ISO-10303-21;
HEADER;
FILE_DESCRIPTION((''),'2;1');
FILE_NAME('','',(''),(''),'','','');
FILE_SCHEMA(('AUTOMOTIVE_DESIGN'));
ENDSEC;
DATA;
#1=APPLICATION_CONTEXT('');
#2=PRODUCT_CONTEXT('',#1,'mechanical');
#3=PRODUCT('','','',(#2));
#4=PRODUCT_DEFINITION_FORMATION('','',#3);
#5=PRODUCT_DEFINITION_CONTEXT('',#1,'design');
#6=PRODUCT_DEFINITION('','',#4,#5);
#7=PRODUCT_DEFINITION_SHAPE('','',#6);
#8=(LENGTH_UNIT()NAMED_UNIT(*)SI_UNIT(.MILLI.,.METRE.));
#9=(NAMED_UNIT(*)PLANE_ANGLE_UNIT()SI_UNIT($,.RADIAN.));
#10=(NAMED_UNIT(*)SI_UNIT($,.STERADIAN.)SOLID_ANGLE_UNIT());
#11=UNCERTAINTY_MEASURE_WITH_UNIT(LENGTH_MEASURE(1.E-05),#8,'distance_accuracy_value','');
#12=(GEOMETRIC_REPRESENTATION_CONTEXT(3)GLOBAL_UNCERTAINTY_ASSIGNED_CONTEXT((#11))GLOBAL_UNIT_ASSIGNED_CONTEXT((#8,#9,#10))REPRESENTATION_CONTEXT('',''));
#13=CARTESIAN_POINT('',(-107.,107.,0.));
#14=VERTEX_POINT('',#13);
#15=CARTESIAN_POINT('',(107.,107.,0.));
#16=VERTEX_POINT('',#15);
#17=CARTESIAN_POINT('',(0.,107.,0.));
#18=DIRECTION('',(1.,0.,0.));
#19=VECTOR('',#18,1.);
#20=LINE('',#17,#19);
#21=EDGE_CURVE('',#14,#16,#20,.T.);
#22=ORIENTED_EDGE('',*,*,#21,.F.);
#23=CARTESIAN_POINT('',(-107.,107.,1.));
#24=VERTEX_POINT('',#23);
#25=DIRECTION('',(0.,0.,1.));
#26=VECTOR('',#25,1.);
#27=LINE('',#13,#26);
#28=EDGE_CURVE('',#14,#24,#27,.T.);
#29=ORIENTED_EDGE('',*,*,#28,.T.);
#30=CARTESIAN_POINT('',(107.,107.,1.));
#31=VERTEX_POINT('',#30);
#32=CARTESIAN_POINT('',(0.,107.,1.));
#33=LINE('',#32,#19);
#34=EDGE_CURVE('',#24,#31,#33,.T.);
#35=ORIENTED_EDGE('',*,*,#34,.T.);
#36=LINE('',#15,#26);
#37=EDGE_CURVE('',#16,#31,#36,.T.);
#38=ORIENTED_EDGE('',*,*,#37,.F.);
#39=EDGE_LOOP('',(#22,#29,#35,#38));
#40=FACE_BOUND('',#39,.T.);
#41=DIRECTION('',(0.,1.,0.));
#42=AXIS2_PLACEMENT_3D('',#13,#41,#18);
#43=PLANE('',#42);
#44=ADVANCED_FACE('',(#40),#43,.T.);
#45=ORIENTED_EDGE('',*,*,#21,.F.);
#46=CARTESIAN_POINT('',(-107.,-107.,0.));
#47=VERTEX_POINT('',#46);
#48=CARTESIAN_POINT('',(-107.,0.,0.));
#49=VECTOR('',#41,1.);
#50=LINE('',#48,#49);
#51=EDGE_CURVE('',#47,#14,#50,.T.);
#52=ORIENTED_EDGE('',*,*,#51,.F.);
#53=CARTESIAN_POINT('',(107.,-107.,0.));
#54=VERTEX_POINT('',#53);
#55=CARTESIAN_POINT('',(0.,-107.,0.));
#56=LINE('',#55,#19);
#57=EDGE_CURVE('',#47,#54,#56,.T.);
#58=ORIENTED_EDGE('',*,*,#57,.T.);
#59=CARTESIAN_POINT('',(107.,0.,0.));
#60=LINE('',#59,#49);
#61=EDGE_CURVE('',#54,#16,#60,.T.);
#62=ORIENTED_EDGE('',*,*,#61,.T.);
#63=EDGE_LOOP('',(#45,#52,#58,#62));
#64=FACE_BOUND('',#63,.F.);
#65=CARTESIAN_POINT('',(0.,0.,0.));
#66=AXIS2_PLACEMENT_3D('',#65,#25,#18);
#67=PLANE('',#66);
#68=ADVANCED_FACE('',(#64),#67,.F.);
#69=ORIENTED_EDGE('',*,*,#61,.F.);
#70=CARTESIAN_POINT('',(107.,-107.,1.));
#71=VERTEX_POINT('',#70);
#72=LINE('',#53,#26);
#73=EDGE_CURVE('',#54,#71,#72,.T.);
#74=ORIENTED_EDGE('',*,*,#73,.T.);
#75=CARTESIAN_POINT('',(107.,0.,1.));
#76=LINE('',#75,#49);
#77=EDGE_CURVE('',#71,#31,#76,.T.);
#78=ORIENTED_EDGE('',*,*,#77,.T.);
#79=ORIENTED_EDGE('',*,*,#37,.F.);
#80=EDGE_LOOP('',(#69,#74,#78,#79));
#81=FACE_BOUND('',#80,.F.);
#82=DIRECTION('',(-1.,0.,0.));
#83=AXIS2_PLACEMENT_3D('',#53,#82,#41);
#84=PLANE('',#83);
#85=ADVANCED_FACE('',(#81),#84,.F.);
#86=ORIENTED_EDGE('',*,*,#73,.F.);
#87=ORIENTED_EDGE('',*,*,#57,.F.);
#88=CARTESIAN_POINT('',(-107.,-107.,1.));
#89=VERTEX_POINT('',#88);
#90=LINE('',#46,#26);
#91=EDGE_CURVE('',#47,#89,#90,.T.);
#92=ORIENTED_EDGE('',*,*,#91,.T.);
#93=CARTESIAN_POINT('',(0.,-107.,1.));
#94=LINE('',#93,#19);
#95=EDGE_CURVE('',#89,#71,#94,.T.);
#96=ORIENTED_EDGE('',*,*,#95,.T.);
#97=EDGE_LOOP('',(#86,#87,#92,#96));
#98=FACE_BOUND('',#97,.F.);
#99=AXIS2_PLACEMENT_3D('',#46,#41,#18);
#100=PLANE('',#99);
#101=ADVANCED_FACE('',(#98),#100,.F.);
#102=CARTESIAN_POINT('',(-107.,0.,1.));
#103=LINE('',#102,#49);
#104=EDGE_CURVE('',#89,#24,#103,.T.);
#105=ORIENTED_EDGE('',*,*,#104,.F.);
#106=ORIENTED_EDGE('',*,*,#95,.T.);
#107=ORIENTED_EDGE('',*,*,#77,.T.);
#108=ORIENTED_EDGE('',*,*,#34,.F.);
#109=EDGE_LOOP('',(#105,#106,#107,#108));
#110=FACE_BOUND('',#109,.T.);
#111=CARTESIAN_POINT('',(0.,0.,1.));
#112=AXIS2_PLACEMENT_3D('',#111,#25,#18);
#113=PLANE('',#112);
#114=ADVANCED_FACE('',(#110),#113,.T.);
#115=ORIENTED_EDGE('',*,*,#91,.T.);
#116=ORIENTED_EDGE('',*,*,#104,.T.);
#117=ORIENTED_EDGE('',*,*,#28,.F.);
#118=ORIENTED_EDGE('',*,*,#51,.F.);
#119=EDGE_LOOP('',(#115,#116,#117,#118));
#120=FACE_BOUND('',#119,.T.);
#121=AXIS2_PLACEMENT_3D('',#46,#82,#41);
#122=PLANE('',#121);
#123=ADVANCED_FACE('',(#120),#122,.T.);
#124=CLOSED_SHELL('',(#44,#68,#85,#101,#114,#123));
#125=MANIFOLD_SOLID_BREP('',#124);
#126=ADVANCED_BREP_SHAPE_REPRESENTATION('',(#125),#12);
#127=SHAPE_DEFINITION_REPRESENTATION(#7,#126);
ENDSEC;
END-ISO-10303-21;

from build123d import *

# Parameters (mm, degrees)
SKETCH_W  = 214
SKETCH_H  = 214
PAD_DEPTH = 1


with BuildPart() as part:
    # Sketch → Pad (new body)
    with BuildSketch(Plane.XY):
        Rectangle(SKETCH_W, SKETCH_H)
    extrude(amount=PAD_DEPTH)


solid = part.part
